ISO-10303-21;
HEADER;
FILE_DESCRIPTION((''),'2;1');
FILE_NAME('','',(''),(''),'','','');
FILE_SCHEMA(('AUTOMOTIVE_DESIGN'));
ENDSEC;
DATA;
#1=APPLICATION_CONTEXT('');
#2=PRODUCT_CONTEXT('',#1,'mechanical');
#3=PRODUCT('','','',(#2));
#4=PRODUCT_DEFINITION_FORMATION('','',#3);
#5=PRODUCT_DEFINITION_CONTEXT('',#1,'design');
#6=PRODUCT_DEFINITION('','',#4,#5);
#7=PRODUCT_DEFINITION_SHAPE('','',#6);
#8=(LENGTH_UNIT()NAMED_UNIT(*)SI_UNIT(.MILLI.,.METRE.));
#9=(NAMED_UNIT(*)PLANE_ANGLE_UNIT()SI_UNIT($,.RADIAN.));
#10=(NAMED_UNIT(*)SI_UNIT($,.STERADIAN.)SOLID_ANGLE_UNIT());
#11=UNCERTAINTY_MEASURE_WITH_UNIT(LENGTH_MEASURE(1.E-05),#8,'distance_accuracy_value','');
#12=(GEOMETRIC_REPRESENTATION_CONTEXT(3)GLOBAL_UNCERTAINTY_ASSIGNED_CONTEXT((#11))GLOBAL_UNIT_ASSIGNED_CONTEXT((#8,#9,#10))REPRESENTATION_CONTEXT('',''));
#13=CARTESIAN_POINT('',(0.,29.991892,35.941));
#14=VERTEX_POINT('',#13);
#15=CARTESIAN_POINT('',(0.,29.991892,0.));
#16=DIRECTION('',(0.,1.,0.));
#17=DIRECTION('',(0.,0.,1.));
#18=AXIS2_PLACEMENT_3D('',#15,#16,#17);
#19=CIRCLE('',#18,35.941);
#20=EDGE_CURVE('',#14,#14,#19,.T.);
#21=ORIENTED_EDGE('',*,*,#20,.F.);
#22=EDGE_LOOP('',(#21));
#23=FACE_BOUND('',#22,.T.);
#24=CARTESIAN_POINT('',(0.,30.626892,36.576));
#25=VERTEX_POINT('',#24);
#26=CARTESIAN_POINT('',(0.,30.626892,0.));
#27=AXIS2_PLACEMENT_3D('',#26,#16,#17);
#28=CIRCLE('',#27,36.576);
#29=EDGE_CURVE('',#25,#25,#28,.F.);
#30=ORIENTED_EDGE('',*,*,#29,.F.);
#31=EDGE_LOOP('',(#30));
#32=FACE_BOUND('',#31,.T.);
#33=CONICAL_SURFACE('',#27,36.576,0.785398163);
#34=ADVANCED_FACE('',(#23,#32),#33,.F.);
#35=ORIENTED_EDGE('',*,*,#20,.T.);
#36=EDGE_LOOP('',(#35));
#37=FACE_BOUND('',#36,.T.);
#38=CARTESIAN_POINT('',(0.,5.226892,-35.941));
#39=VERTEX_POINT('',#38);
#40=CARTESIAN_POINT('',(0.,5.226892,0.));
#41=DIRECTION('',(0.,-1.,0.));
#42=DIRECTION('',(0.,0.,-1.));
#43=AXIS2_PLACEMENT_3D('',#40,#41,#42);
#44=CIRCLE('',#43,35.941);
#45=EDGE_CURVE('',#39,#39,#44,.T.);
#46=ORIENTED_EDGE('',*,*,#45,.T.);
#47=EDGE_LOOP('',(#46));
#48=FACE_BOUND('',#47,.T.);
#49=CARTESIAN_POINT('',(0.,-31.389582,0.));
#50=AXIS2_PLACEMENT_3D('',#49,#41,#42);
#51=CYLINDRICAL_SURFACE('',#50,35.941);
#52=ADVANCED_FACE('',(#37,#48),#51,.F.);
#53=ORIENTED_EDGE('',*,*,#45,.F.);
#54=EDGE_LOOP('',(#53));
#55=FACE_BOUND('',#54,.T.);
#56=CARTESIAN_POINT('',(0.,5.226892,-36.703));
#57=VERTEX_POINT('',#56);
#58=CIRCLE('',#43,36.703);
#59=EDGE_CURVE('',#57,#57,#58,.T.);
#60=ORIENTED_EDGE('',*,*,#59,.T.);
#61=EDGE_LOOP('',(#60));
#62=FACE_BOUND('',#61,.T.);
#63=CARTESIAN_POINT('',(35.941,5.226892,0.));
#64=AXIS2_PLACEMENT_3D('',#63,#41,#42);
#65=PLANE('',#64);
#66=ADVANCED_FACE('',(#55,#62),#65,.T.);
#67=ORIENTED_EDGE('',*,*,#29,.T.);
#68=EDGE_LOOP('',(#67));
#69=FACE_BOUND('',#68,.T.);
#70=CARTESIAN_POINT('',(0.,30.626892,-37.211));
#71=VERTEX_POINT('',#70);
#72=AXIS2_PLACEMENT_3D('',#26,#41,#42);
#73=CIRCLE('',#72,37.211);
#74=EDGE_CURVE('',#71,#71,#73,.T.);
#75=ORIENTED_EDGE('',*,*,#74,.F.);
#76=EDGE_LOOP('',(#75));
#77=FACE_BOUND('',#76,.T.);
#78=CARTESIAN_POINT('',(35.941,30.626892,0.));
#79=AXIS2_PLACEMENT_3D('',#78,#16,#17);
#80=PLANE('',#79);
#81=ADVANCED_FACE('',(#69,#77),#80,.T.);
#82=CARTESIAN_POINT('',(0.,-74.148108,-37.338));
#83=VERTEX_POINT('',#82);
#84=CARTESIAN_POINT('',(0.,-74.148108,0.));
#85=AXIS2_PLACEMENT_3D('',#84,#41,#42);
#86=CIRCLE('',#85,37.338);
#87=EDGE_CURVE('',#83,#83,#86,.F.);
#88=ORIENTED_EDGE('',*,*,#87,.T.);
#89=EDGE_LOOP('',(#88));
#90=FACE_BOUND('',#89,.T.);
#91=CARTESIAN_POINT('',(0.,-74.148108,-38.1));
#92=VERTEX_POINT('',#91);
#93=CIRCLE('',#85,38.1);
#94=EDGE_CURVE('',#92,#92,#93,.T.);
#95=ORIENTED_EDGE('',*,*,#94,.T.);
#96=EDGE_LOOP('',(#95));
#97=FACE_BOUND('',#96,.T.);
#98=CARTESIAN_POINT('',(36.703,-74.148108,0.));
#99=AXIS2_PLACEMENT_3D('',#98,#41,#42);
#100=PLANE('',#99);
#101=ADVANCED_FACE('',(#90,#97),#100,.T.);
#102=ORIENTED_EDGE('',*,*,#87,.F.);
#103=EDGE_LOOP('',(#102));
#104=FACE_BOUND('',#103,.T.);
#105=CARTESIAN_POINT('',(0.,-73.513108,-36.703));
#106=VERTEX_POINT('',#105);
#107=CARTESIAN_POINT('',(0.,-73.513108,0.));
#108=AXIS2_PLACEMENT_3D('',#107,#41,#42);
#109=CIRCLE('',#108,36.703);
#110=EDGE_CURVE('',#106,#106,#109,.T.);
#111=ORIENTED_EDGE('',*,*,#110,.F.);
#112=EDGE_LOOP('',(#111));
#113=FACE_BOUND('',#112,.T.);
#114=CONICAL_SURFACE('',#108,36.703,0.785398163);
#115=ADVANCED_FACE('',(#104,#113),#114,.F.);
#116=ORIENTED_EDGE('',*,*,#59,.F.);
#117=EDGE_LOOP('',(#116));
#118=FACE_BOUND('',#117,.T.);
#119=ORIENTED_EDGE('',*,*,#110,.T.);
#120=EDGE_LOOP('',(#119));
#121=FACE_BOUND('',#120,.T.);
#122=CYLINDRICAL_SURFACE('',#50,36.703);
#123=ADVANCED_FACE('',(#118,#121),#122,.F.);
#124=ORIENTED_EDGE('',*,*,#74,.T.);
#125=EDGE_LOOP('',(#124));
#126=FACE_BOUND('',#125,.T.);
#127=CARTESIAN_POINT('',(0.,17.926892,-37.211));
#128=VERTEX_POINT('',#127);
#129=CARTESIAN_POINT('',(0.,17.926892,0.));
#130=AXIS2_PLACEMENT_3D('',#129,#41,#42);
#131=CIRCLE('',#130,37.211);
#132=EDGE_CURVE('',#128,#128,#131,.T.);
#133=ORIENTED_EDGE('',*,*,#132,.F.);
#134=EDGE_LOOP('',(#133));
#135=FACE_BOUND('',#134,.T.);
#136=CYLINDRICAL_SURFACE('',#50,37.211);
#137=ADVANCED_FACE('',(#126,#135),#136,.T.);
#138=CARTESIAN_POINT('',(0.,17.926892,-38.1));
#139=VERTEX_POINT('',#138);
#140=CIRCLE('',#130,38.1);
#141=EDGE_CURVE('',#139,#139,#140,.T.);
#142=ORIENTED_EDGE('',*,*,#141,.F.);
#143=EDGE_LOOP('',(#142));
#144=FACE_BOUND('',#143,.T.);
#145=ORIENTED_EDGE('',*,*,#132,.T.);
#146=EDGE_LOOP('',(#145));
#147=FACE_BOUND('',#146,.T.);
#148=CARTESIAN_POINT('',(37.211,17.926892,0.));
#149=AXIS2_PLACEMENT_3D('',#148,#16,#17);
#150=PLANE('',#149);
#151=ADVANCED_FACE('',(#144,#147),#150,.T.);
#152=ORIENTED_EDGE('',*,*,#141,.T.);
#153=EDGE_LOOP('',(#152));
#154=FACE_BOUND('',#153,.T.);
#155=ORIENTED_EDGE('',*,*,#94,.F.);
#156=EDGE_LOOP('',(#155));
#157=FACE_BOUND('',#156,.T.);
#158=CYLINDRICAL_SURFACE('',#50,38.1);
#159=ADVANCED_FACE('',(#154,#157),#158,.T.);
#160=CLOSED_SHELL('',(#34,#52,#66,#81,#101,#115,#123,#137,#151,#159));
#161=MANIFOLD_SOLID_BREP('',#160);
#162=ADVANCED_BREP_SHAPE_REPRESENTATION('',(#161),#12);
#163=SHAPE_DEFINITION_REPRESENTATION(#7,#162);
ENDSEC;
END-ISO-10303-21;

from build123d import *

# Parameters (mm, degrees)
CHAMFER1_SIZE = 0.635


with BuildPart() as part:
    # Sketch1 → Revolve1 (revolve)
    with BuildSketch(Plane.XY, mode=Mode.PRIVATE) as revolve1_sk:
        Polygon((35.941, 30.626891832), (35.941, 5.226891832), (36.703, 5.226891832), (36.703, -74.148108168), (38.1, -74.148108168), (38.1, 17.926891832), (37.211, 17.926891832), (37.211, 30.626891832), align=None)
    revolve(revolve1_sk.sketch.rotate(Axis((0, -31.38958184, 0), (0, 1, 0)), 90), axis=Axis((0, -31.38958184, 0), (0, 1, 0)))

    # Chamfer1
    chamfer1_edges = [part.edges().sort_by_distance(p)[0] for p in [
        (0, 30.626891832, 35.941),
        (0, -74.148108168, 36.703),
    ]]
    chamfer(chamfer1_edges, length=CHAMFER1_SIZE)


solid = part.part
